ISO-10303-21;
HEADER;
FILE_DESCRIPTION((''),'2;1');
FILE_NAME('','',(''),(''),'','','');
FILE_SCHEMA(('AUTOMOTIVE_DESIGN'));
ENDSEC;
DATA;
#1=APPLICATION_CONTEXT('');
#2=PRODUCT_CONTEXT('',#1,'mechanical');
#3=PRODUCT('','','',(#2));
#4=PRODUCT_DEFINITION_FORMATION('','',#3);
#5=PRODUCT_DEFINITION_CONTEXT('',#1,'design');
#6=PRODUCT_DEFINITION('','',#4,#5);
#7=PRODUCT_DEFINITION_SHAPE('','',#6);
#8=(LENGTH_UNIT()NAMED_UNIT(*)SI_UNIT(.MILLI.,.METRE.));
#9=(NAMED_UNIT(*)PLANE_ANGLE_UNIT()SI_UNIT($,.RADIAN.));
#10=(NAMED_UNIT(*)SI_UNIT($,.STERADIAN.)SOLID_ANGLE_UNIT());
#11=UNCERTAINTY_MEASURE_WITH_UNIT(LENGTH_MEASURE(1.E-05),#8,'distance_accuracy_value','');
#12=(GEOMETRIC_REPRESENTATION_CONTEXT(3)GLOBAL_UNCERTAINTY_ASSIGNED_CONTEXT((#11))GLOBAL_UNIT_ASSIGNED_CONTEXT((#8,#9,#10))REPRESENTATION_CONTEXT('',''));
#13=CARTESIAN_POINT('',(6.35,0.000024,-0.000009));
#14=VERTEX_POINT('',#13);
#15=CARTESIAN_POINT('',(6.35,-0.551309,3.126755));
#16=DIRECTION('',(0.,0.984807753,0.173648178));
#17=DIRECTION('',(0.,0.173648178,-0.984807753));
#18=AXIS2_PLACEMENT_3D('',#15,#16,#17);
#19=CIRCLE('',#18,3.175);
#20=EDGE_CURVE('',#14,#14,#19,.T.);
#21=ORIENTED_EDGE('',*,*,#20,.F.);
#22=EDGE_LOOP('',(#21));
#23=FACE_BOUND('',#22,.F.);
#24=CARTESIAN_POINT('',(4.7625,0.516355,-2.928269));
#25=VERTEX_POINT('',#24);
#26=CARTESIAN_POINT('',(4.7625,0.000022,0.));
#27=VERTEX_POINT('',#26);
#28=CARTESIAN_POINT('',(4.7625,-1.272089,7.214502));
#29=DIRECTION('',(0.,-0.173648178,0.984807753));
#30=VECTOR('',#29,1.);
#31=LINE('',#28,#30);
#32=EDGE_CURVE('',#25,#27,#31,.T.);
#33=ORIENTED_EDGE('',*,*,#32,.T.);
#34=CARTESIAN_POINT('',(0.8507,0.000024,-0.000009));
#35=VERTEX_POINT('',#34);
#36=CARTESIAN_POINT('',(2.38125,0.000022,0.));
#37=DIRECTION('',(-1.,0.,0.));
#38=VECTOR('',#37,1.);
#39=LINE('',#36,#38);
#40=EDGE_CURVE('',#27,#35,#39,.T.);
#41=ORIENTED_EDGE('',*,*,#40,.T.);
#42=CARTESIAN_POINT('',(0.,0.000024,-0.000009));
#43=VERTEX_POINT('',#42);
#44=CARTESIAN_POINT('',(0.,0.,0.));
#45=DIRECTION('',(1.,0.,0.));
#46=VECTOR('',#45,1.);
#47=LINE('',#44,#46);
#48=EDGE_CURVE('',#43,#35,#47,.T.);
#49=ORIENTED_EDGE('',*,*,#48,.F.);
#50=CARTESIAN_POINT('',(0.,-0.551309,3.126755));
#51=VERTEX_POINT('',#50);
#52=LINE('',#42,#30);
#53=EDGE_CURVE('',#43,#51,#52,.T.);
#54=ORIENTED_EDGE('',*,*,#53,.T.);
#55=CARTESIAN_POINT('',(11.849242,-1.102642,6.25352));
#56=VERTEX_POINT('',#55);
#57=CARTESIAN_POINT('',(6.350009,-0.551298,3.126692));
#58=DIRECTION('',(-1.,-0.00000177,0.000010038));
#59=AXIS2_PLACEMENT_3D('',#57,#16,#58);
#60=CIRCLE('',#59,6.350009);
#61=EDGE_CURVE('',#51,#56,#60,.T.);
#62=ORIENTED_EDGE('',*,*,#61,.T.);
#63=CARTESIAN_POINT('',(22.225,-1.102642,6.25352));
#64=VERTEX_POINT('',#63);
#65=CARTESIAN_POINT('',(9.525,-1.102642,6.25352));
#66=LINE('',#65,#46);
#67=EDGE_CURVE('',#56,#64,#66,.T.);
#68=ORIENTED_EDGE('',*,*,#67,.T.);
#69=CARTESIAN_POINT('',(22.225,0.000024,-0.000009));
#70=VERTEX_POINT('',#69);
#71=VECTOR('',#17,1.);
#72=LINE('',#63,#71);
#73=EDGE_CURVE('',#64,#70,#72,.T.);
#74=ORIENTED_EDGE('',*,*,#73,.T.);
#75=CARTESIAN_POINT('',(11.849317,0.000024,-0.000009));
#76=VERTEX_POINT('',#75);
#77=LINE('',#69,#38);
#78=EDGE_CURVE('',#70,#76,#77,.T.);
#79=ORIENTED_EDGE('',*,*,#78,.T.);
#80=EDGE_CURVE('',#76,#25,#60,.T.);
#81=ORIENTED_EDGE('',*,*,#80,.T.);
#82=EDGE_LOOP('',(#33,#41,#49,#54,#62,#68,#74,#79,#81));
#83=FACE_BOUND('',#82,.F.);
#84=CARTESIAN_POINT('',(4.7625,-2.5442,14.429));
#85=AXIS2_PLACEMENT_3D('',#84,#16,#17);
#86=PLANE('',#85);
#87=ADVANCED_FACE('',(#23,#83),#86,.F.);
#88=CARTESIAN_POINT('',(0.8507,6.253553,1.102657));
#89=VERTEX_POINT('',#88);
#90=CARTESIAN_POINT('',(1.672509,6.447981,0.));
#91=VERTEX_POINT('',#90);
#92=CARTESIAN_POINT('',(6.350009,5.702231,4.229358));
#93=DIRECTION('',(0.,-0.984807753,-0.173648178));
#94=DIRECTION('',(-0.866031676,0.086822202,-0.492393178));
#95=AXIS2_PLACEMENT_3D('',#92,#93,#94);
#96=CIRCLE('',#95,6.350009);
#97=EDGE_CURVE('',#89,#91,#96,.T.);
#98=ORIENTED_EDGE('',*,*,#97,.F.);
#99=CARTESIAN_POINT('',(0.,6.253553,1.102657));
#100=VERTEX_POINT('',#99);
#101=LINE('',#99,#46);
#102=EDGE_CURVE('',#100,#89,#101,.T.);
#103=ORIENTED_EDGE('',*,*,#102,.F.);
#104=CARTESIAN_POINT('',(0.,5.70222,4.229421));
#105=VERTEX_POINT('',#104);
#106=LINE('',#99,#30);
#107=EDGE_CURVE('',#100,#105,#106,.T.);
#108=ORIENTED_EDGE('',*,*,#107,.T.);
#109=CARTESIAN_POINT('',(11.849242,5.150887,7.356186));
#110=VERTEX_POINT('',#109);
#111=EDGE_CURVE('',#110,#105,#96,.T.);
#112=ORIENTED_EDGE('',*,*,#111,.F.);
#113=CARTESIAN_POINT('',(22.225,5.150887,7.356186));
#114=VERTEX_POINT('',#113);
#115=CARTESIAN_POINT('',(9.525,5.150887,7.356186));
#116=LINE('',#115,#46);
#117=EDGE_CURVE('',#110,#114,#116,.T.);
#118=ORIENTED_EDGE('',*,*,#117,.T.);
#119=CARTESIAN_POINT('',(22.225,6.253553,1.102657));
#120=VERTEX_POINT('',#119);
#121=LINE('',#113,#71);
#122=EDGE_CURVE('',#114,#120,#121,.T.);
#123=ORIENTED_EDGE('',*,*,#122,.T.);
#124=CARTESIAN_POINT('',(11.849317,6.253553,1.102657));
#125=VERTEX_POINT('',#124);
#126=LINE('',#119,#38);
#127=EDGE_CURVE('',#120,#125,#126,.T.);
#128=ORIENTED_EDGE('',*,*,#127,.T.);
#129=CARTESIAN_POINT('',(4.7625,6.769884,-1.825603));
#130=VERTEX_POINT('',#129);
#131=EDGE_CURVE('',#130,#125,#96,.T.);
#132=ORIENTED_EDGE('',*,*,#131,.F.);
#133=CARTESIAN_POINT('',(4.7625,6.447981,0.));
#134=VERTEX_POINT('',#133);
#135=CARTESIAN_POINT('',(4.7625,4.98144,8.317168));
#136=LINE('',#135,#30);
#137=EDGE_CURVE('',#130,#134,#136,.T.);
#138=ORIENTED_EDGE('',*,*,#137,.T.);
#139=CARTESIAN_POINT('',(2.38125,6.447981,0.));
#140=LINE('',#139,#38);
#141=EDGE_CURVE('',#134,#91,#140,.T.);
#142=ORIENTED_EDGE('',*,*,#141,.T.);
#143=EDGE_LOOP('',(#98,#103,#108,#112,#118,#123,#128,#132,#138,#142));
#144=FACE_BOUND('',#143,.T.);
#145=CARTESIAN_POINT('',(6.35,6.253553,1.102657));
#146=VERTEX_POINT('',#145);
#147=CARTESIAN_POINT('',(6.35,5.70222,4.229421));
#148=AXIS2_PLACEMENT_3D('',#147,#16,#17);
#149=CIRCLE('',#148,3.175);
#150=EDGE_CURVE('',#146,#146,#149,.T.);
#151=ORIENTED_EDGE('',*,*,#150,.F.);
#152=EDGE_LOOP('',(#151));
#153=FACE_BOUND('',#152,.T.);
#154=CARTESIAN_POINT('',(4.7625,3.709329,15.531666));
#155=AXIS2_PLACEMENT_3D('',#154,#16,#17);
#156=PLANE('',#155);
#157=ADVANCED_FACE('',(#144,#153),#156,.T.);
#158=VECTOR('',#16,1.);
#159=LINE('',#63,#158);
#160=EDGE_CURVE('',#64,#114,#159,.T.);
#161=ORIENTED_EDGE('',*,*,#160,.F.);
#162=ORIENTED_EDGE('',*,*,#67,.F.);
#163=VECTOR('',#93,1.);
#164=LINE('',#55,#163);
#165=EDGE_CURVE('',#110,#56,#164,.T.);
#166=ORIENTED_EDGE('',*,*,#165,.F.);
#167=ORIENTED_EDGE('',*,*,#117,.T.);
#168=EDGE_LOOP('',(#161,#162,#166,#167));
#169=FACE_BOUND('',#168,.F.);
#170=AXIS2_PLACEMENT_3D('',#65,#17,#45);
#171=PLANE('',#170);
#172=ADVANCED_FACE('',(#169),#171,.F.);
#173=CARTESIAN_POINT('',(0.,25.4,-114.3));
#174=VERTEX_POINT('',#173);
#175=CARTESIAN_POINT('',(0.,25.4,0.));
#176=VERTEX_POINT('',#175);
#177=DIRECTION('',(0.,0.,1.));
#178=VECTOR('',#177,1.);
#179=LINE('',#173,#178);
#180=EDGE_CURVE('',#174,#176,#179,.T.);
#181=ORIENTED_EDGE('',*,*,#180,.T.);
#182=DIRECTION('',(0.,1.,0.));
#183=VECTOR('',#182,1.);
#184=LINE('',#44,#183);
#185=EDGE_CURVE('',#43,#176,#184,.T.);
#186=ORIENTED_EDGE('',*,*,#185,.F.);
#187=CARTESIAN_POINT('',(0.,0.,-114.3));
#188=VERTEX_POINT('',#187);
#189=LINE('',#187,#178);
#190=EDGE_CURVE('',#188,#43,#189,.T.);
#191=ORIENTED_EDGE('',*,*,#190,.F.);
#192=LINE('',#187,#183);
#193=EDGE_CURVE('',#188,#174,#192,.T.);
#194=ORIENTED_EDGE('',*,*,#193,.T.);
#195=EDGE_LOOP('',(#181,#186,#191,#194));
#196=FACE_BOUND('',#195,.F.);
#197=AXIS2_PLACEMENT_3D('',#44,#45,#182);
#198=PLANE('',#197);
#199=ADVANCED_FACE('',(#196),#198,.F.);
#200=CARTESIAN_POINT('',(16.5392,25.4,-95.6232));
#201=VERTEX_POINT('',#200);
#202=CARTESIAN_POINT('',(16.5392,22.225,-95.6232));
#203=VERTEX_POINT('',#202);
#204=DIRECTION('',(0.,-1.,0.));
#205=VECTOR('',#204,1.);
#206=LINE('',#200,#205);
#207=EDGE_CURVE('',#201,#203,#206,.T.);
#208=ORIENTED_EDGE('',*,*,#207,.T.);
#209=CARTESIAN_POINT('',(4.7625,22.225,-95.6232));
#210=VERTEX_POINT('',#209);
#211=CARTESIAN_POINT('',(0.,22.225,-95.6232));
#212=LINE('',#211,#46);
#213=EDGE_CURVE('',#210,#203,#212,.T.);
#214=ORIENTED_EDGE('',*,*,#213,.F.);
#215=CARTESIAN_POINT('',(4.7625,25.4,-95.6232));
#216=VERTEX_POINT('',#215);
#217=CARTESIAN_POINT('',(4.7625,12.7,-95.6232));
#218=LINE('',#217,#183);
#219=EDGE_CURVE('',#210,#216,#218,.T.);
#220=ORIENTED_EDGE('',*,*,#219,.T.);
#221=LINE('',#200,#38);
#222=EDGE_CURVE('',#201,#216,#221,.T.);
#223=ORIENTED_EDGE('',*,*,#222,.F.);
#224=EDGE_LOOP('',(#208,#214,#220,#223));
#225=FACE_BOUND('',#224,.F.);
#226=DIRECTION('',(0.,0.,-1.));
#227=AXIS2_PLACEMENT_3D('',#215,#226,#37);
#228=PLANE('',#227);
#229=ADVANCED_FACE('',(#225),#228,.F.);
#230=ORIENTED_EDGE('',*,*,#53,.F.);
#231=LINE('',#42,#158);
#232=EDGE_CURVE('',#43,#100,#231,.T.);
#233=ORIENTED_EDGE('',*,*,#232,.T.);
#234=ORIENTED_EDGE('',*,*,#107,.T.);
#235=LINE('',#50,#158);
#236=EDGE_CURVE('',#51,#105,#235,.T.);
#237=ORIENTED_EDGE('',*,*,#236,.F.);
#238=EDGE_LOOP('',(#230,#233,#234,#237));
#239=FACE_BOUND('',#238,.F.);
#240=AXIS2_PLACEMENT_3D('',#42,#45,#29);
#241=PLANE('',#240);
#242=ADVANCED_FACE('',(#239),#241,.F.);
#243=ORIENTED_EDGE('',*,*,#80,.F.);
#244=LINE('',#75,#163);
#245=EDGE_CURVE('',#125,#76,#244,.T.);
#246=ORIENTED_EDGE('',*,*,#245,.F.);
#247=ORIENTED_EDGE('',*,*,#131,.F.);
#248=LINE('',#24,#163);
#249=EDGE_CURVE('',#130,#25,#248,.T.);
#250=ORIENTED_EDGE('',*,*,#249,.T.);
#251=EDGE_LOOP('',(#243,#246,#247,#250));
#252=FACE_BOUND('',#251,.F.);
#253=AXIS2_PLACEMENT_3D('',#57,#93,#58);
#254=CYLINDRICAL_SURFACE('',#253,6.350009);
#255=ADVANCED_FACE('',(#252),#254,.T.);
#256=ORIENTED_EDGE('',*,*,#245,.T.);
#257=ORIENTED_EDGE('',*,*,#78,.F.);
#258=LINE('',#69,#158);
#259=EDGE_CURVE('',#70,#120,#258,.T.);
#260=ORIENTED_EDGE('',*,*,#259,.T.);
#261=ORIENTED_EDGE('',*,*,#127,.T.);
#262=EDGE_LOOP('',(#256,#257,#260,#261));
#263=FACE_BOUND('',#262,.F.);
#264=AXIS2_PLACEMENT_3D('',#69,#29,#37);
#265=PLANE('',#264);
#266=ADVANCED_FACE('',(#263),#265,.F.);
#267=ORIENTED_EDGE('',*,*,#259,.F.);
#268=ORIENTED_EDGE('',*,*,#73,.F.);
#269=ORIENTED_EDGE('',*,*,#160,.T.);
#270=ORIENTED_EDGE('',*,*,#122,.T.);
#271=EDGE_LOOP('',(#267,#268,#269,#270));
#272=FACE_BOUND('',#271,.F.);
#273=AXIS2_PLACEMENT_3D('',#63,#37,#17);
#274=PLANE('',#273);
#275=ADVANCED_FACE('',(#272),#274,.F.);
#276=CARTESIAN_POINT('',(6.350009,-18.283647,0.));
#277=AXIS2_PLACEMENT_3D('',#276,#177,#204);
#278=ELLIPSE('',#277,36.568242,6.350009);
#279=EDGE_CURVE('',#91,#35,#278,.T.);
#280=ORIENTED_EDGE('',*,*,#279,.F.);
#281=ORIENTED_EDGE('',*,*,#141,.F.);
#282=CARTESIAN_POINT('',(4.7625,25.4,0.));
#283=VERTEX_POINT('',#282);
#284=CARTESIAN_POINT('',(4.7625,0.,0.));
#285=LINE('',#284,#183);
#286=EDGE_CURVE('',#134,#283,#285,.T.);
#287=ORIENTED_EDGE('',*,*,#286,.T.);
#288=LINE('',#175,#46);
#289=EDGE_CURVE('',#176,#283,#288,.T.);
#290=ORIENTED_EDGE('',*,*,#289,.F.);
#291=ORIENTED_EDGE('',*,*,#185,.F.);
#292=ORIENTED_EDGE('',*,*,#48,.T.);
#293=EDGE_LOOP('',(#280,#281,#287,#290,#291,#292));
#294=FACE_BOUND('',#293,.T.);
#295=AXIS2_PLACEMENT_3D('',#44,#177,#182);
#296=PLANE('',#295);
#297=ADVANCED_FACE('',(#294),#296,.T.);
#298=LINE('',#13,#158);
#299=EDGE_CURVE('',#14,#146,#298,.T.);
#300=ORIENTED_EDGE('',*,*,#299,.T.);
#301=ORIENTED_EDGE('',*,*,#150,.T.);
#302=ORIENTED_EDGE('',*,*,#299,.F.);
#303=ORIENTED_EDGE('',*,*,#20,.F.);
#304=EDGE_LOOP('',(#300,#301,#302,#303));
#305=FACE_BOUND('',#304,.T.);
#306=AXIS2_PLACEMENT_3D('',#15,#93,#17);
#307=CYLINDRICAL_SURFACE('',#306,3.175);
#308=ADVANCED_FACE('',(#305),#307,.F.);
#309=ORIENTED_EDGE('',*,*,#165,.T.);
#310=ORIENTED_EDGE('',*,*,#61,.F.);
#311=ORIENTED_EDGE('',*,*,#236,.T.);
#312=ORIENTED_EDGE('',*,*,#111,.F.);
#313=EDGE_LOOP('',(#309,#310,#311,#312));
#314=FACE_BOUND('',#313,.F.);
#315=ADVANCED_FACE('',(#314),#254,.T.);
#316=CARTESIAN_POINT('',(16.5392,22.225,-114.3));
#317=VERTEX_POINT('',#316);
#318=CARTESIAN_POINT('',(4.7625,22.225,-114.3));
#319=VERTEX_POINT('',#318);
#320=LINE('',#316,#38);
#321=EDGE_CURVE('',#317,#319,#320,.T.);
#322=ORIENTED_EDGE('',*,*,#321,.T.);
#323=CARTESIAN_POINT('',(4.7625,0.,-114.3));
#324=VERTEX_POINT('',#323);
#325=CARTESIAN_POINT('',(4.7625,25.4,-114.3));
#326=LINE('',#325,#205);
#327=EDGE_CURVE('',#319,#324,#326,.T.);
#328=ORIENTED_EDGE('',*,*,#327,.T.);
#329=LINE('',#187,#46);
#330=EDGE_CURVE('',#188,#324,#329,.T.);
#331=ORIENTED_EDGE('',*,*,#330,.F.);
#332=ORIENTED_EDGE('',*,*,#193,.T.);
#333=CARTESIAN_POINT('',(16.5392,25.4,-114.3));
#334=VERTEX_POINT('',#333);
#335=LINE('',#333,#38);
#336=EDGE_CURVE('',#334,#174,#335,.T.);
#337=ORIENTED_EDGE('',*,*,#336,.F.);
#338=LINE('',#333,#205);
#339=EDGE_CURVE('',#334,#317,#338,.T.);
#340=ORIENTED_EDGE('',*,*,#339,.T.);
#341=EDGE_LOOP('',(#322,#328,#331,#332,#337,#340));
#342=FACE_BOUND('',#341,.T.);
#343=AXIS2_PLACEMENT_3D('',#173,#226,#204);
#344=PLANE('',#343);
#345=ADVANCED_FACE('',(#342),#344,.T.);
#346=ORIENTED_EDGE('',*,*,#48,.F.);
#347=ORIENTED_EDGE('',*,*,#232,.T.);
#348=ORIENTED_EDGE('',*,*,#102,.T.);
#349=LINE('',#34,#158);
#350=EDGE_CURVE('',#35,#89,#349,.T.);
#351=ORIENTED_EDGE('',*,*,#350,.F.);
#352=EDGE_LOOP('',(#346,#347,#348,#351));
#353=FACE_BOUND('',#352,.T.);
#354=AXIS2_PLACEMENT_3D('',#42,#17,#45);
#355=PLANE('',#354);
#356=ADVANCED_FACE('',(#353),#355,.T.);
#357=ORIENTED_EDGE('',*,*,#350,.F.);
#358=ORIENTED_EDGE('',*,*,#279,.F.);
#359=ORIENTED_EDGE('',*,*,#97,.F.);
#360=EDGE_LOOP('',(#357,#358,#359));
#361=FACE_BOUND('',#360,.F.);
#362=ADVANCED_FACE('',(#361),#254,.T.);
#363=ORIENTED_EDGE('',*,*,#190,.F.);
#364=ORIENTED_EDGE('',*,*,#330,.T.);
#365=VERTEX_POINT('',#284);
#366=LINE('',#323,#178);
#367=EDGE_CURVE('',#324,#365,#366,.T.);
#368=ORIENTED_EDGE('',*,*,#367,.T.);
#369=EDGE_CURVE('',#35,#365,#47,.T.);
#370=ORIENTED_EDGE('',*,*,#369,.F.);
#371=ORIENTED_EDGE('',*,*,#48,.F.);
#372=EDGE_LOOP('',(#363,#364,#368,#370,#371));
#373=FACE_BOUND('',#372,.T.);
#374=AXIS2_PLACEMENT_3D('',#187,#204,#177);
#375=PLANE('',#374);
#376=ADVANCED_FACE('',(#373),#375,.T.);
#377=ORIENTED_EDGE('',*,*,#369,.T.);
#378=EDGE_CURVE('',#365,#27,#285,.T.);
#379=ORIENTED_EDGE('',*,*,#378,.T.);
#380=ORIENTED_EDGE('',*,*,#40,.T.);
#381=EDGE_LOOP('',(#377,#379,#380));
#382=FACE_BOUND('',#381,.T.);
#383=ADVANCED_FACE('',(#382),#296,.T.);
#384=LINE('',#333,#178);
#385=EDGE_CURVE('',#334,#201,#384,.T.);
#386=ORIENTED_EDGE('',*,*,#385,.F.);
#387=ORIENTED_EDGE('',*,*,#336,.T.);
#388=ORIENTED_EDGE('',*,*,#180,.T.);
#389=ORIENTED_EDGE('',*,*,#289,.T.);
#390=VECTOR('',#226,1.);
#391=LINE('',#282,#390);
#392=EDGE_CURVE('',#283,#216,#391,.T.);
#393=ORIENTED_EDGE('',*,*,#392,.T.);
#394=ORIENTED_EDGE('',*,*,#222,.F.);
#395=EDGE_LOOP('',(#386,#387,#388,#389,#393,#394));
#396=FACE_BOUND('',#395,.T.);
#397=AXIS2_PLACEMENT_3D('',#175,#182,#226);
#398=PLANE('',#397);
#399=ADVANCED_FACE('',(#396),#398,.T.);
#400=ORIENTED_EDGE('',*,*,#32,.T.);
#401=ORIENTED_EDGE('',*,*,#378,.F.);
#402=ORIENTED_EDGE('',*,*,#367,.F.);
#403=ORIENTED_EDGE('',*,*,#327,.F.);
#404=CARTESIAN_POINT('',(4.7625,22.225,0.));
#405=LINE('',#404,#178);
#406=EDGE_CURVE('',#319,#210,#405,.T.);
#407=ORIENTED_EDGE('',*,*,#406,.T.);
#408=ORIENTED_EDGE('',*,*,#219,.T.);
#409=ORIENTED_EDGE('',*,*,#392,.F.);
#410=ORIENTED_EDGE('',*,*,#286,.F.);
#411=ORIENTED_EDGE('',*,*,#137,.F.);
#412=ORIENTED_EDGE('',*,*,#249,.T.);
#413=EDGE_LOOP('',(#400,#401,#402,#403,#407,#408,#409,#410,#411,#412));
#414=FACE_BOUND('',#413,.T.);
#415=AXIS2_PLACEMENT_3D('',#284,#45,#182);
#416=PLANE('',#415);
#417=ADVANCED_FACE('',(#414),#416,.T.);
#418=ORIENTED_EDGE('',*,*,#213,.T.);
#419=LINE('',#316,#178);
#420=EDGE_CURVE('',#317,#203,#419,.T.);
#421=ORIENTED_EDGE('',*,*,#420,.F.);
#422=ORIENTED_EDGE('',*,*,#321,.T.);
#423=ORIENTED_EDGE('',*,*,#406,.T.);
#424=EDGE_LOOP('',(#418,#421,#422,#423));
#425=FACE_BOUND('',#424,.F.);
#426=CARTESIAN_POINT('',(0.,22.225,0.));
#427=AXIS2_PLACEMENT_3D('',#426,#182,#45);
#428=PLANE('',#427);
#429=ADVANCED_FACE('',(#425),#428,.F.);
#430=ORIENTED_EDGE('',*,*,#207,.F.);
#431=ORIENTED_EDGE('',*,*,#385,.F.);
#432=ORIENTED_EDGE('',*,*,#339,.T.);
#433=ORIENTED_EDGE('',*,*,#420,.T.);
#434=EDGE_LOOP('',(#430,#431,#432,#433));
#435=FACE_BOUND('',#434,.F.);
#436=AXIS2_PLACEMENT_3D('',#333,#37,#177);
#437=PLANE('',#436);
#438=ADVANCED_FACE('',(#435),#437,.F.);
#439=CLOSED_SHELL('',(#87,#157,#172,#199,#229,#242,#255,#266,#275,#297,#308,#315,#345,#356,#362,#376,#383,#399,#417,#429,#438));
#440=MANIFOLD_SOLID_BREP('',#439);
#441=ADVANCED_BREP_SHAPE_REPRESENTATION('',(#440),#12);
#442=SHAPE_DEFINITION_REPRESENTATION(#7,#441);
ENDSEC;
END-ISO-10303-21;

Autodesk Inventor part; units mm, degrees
ref_plane "YZ Plane" through (0, 0, 0) normal (1, 0, 0) x (0, 1, 0)
ref_plane "XZ Plane" through (0, 0, 0) normal (0, 1, 0) x (-1, 0, 0)
ref_plane "XY Plane" through (0, 0, 0) normal (0, 0, 1) x (1, 0, 0)
sketch "Sketch2" plane through (0, 0, 0) normal (1, 0, 0) x (0, 1, 0)
  line L0 (0, 0) -> (25.4, 0)
  line L1 (25.4, 0) -> (25.4, -114.3)
  line L2 (25.4, -114.3) -> (0, -114.3)
  line L3 (0, -114.3) -> (0, 0)
  dimension "d6" = 25.4
  dimension "d7" = 114.3
extrude "Extrusion2" add sketch "Sketch2" along normal blind 4.7625
sketch "Sketch3" plane through (4.7625, 0, 0) normal (1, 0, 0) x (0, 0, -1)
  line L0 (0, 0) -> (114.3, 0) projected
  line L1 (0, 0) -> (-14.429, -2.5442)
  line L2 (0, 0) -> (14.6516, 0) construction
  dimension "d10" = 170
ref_plane "Work Plane1" through (4.7625, -2.5442, 14.429) normal (0, 0.9848, 0.1736) x (0, 0.1736, -0.9848)
sketch "Sketch4" plane through (4.7625, -2.5442, 14.429) normal (0, 0.9848, 0.1736) x (0, 0.1736, -0.9848)
  line L0 (127.2151, 4.7625) -> (14.6516, 4.7625) projected
  line L1 (127.2151, 4.7625) -> (127.2151, 0) projected
  line L2 (14.6516, 0) -> (127.2151, 0) projected
  line L3 (14.6516, 4.7625) -> (14.6516, 0) projected
  arc A0 (11.4766, 4.7625) -> (14.6516, 3.9118) centre (11.4766, -1.5875) ccw
  circle A1 centre (11.4766, -1.5875) radius 3.175
  line L4 (14.6516, 4.7625) -> (11.4766, 4.7625)
  line L5 (14.6516, 4.7625) -> (14.6516, 0)
  dimension "d11" = 12.7
  dimension "d12" = 3.175
  dimension "d13" = 4.7625
  dimension "d15" = 6.35
  dimension "d26" = 1.5875
extrude "Extrusion3" add sketch "Sketch4" along normal blind 6.35 contours L3 L2 A0 L4 | A0 L2 L3
sketch "Sketch5" plane through (0, 25.4, 0) normal (0, 1, 0) x (1, 0, 0)
  line L0 (0, 0) -> (0, 114.3) projected
  line L1 (0, 0) -> (4.7625, 0) projected
  line L2 (4.7625, 114.3) -> (4.7625, 0) projected
  line L3 (0, 114.3) -> (4.7625, 114.3) projected
  line L4 (0, 114.3) -> (0, 0) projected
  line L5 (0, 114.3) -> (16.5392, 114.3)
  line L6 (16.5392, 114.3) -> (16.5392, 95.6232)
  line L7 (16.5392, 95.6232) -> (0, 95.6232)
  line L8 (0, 95.6232) -> (0, 114.3)
extrude "Extrusion4" add sketch "Sketch5" against normal blind 3.175 contours L0 L3 L2 L7 | L2 L5 L6 L7
sketch "Sketch6" plane through (4.7625, -2.5442, 14.429) normal (0, 0.9848, 0.1736) x (0, 0.1736, -0.9848)
  line L0 (17.6249, 0) -> (14.6516, 0) projected
  arc A0 (17.6249, 0) -> (11.4766, 4.7625) centre (11.4766, -1.5875) ccw projected
  line L1 (14.6516, 3.9118) -> (14.6516, 0) projected
  circle A1 centre (11.4766, -1.5875) radius 3.175 projected
  line L2 (127.2151, 4.7625) -> (14.6516, 4.7625) projected
  line L3 (14.6516, -4.7625) -> (8.3016, -4.7625)
  line L4 (8.3016, -4.7625) -> (8.3016, -17.4625)
  line L5 (8.3016, -17.4625) -> (14.6516, -17.4625)
  line L6 (14.6516, -17.4625) -> (14.6516, -4.7625)
  line L7 (14.6516, 4.7625) -> (11.4766, 4.7625) projected
  line L8 (14.6516, 4.7625) -> (14.6516, 3.9118) projected
  point P0 (17.3632, 4.7625)
  dimension "d22" = 6.35
  dimension "d23" = 12.7
  dimension "d27" = 0
extrude "Extrusion5" add sketch "Sketch6" along normal blind 6.35 contours L3 L6 L5 L4
equation "\"d26\" = 0.5 * d11 - d13"
properties part number "WheelIntakeMotorMount"
